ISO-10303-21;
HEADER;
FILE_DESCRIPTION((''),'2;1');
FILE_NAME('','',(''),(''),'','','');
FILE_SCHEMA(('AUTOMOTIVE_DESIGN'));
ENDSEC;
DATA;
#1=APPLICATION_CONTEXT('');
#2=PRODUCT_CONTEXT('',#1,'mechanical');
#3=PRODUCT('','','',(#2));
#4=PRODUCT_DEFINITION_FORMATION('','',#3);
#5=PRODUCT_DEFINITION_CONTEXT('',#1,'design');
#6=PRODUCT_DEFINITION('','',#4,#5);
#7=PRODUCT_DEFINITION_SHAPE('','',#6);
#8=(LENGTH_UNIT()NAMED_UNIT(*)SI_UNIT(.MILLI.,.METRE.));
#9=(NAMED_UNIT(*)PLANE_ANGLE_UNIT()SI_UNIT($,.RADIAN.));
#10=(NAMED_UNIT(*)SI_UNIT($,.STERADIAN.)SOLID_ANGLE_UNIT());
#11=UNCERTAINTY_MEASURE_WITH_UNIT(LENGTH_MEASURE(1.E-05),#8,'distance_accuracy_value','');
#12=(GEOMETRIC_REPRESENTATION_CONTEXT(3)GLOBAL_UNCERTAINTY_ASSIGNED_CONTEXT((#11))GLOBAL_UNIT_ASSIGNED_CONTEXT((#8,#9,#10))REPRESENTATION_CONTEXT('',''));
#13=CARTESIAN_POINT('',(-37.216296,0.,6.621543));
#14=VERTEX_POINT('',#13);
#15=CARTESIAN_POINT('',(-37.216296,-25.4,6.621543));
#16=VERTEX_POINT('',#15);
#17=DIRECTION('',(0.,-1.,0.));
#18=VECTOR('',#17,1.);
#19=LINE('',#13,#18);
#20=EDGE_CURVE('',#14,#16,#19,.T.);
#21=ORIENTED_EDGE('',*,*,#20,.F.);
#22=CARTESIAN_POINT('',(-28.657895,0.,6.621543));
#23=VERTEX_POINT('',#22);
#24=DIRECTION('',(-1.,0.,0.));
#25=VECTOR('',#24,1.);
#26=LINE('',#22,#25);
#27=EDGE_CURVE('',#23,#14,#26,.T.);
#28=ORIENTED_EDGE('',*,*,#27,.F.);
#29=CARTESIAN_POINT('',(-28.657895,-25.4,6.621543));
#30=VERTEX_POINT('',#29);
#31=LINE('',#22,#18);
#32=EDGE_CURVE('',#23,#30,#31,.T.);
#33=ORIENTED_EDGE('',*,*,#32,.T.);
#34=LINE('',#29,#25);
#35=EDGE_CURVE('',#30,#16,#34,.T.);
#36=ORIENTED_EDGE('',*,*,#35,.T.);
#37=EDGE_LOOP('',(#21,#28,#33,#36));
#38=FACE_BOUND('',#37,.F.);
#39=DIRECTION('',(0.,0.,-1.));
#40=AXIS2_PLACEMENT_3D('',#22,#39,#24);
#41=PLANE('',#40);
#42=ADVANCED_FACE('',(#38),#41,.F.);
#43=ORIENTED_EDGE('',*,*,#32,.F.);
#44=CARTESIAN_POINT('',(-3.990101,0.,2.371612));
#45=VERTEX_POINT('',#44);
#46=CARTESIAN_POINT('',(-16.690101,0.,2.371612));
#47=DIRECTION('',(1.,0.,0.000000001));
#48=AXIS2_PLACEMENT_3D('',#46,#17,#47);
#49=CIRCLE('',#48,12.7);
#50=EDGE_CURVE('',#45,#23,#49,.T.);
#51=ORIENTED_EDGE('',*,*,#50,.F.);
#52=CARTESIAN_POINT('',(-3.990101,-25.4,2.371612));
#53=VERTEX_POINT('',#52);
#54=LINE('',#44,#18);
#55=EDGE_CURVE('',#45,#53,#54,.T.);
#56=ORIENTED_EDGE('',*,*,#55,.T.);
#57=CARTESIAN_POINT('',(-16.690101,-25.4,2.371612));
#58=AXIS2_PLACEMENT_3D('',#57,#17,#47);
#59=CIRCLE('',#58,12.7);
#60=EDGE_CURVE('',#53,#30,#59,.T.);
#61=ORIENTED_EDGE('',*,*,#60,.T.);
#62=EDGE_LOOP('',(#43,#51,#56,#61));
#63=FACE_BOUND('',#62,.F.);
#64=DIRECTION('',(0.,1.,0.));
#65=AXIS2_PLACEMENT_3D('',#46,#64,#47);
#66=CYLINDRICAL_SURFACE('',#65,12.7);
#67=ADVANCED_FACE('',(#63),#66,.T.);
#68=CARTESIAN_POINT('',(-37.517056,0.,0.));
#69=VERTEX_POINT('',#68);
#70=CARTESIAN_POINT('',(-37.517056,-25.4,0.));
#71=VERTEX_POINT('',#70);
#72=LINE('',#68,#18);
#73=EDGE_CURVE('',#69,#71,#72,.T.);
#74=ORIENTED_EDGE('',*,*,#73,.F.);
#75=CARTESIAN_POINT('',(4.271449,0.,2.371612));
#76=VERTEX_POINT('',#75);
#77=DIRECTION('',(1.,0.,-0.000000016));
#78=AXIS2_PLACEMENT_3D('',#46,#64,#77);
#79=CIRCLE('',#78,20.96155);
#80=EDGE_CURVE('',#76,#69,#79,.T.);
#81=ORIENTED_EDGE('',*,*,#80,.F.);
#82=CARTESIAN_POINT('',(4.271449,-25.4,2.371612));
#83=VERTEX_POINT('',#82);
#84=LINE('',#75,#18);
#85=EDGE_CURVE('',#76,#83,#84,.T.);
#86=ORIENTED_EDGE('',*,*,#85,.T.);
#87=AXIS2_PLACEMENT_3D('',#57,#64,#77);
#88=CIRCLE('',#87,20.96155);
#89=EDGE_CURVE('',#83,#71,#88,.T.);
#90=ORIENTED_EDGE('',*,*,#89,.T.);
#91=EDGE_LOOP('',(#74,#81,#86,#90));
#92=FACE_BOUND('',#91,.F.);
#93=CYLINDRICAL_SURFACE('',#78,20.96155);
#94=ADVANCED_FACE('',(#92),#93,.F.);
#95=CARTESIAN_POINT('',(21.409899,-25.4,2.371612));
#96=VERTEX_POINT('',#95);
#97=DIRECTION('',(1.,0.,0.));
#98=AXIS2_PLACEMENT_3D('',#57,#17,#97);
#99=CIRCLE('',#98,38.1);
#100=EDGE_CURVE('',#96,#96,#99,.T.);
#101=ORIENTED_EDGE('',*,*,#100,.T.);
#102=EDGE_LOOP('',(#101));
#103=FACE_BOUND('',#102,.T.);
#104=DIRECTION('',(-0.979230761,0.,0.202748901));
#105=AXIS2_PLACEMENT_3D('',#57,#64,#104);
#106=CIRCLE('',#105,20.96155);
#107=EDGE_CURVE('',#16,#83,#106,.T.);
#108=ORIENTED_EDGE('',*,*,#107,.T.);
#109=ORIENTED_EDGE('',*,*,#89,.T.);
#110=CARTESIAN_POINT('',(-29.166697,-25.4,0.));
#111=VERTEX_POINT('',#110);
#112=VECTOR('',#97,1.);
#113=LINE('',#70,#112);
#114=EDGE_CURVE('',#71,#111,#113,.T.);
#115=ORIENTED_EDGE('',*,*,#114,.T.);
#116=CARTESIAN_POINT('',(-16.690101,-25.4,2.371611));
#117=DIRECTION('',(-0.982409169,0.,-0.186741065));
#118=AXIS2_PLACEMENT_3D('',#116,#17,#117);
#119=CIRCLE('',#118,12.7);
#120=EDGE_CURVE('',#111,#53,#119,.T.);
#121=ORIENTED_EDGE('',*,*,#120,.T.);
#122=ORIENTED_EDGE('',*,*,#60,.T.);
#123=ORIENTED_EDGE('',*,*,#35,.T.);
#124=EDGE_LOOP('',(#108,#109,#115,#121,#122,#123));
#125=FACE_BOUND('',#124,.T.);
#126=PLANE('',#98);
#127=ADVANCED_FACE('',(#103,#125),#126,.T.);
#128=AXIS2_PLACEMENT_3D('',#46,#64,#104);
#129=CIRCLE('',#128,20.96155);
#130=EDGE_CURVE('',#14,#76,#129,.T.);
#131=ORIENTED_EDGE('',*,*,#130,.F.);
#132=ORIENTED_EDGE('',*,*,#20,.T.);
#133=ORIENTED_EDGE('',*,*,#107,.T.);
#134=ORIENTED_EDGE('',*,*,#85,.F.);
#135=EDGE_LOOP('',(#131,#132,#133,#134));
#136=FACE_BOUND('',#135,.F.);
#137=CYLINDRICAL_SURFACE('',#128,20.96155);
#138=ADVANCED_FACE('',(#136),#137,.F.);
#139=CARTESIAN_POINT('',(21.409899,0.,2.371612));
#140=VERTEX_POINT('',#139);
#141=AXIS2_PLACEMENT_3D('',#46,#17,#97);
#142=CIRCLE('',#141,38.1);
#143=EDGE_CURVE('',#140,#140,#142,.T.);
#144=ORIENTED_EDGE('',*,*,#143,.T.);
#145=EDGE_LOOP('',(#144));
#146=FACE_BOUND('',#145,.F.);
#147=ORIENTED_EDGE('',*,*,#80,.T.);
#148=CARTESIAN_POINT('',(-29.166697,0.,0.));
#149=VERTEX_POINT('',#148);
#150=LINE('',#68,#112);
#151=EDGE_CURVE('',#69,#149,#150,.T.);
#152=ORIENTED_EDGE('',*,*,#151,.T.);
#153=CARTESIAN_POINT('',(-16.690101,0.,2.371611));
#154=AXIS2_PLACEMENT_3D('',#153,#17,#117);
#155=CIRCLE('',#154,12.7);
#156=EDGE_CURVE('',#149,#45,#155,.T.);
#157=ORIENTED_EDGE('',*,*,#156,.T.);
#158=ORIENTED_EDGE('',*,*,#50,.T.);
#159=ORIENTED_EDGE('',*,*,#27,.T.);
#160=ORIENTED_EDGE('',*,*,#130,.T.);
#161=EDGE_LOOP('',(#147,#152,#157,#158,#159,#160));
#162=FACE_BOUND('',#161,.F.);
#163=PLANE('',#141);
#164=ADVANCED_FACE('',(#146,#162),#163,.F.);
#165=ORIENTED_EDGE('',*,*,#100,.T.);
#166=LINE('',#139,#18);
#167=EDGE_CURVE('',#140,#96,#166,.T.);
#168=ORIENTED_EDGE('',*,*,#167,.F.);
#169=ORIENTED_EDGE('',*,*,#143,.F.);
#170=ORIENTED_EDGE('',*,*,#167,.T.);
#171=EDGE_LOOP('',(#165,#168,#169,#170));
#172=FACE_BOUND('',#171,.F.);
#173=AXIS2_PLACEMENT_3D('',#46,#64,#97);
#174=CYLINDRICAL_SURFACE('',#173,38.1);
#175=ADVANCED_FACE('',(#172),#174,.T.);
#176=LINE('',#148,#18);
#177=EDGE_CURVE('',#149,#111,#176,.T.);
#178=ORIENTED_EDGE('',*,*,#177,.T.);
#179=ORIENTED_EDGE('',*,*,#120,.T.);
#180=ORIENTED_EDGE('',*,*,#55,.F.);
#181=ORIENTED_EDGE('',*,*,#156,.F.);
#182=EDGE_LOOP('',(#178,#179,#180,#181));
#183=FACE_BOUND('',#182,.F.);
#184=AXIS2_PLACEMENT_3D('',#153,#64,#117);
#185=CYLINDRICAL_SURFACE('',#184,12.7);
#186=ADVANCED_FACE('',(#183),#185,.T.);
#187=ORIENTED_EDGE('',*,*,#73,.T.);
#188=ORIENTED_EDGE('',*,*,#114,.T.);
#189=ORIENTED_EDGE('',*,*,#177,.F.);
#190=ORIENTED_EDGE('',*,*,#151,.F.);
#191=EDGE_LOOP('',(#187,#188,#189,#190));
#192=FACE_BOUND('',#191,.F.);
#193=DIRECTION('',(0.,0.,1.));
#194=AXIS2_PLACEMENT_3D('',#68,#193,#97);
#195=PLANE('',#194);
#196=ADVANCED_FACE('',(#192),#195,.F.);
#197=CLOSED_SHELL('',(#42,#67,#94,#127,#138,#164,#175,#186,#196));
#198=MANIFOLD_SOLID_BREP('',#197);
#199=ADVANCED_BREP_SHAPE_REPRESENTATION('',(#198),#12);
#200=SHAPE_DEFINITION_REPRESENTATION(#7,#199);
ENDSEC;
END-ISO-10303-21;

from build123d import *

# Parameters (mm, degrees)
F0_R     = 38.1
F1_DEPTH = 25.4


with BuildPart() as f1:
    # F0 (on Front) → F1 (new body)
    with BuildSketch(Plane.XZ):
        with Locations((-16.690101, 2.371612)):
            Circle(F0_R)
        with BuildLine():
            ThreePointArc((-37.216296, 6.621543), (-14.554015, 23.224039), (4.271449, 2.371612))
            ThreePointArc((4.271449, 2.371612), (-15.502387, -18.556262), (-37.517056, 0))
            ThreePointArc((-37.517056, 0), (-37.630062, 3.322735), (-37.216296, 6.621543))
        make_face(mode=Mode.SUBTRACT)
        with BuildLine():
            ThreePointArc((-3.990101, 2.371612), (-14.533829, 14.887222), (-28.657895, 6.621543))
            ThreePointArc((-28.657895, 6.621543), (-29.352773, 3.344618), (-29.166697, 0))
            ThreePointArc((-29.166697, 0), (-15.499045, -10.272414), (-3.990101, 2.371612))
        make_face()
        with BuildLine():
            Line((-28.657895, 6.621543), (-37.216296, 6.621543))
            ThreePointArc((-37.216296, 6.621543), (-37.630062, 3.322735), (-37.517056, 0))
            Line((-37.517056, 0), (-29.166697, 0))
            ThreePointArc((-29.166697, 0), (-29.352773, 3.344618), (-28.657895, 6.621543))
        make_face()
    extrude(amount=F1_DEPTH)


solid = f1.part
